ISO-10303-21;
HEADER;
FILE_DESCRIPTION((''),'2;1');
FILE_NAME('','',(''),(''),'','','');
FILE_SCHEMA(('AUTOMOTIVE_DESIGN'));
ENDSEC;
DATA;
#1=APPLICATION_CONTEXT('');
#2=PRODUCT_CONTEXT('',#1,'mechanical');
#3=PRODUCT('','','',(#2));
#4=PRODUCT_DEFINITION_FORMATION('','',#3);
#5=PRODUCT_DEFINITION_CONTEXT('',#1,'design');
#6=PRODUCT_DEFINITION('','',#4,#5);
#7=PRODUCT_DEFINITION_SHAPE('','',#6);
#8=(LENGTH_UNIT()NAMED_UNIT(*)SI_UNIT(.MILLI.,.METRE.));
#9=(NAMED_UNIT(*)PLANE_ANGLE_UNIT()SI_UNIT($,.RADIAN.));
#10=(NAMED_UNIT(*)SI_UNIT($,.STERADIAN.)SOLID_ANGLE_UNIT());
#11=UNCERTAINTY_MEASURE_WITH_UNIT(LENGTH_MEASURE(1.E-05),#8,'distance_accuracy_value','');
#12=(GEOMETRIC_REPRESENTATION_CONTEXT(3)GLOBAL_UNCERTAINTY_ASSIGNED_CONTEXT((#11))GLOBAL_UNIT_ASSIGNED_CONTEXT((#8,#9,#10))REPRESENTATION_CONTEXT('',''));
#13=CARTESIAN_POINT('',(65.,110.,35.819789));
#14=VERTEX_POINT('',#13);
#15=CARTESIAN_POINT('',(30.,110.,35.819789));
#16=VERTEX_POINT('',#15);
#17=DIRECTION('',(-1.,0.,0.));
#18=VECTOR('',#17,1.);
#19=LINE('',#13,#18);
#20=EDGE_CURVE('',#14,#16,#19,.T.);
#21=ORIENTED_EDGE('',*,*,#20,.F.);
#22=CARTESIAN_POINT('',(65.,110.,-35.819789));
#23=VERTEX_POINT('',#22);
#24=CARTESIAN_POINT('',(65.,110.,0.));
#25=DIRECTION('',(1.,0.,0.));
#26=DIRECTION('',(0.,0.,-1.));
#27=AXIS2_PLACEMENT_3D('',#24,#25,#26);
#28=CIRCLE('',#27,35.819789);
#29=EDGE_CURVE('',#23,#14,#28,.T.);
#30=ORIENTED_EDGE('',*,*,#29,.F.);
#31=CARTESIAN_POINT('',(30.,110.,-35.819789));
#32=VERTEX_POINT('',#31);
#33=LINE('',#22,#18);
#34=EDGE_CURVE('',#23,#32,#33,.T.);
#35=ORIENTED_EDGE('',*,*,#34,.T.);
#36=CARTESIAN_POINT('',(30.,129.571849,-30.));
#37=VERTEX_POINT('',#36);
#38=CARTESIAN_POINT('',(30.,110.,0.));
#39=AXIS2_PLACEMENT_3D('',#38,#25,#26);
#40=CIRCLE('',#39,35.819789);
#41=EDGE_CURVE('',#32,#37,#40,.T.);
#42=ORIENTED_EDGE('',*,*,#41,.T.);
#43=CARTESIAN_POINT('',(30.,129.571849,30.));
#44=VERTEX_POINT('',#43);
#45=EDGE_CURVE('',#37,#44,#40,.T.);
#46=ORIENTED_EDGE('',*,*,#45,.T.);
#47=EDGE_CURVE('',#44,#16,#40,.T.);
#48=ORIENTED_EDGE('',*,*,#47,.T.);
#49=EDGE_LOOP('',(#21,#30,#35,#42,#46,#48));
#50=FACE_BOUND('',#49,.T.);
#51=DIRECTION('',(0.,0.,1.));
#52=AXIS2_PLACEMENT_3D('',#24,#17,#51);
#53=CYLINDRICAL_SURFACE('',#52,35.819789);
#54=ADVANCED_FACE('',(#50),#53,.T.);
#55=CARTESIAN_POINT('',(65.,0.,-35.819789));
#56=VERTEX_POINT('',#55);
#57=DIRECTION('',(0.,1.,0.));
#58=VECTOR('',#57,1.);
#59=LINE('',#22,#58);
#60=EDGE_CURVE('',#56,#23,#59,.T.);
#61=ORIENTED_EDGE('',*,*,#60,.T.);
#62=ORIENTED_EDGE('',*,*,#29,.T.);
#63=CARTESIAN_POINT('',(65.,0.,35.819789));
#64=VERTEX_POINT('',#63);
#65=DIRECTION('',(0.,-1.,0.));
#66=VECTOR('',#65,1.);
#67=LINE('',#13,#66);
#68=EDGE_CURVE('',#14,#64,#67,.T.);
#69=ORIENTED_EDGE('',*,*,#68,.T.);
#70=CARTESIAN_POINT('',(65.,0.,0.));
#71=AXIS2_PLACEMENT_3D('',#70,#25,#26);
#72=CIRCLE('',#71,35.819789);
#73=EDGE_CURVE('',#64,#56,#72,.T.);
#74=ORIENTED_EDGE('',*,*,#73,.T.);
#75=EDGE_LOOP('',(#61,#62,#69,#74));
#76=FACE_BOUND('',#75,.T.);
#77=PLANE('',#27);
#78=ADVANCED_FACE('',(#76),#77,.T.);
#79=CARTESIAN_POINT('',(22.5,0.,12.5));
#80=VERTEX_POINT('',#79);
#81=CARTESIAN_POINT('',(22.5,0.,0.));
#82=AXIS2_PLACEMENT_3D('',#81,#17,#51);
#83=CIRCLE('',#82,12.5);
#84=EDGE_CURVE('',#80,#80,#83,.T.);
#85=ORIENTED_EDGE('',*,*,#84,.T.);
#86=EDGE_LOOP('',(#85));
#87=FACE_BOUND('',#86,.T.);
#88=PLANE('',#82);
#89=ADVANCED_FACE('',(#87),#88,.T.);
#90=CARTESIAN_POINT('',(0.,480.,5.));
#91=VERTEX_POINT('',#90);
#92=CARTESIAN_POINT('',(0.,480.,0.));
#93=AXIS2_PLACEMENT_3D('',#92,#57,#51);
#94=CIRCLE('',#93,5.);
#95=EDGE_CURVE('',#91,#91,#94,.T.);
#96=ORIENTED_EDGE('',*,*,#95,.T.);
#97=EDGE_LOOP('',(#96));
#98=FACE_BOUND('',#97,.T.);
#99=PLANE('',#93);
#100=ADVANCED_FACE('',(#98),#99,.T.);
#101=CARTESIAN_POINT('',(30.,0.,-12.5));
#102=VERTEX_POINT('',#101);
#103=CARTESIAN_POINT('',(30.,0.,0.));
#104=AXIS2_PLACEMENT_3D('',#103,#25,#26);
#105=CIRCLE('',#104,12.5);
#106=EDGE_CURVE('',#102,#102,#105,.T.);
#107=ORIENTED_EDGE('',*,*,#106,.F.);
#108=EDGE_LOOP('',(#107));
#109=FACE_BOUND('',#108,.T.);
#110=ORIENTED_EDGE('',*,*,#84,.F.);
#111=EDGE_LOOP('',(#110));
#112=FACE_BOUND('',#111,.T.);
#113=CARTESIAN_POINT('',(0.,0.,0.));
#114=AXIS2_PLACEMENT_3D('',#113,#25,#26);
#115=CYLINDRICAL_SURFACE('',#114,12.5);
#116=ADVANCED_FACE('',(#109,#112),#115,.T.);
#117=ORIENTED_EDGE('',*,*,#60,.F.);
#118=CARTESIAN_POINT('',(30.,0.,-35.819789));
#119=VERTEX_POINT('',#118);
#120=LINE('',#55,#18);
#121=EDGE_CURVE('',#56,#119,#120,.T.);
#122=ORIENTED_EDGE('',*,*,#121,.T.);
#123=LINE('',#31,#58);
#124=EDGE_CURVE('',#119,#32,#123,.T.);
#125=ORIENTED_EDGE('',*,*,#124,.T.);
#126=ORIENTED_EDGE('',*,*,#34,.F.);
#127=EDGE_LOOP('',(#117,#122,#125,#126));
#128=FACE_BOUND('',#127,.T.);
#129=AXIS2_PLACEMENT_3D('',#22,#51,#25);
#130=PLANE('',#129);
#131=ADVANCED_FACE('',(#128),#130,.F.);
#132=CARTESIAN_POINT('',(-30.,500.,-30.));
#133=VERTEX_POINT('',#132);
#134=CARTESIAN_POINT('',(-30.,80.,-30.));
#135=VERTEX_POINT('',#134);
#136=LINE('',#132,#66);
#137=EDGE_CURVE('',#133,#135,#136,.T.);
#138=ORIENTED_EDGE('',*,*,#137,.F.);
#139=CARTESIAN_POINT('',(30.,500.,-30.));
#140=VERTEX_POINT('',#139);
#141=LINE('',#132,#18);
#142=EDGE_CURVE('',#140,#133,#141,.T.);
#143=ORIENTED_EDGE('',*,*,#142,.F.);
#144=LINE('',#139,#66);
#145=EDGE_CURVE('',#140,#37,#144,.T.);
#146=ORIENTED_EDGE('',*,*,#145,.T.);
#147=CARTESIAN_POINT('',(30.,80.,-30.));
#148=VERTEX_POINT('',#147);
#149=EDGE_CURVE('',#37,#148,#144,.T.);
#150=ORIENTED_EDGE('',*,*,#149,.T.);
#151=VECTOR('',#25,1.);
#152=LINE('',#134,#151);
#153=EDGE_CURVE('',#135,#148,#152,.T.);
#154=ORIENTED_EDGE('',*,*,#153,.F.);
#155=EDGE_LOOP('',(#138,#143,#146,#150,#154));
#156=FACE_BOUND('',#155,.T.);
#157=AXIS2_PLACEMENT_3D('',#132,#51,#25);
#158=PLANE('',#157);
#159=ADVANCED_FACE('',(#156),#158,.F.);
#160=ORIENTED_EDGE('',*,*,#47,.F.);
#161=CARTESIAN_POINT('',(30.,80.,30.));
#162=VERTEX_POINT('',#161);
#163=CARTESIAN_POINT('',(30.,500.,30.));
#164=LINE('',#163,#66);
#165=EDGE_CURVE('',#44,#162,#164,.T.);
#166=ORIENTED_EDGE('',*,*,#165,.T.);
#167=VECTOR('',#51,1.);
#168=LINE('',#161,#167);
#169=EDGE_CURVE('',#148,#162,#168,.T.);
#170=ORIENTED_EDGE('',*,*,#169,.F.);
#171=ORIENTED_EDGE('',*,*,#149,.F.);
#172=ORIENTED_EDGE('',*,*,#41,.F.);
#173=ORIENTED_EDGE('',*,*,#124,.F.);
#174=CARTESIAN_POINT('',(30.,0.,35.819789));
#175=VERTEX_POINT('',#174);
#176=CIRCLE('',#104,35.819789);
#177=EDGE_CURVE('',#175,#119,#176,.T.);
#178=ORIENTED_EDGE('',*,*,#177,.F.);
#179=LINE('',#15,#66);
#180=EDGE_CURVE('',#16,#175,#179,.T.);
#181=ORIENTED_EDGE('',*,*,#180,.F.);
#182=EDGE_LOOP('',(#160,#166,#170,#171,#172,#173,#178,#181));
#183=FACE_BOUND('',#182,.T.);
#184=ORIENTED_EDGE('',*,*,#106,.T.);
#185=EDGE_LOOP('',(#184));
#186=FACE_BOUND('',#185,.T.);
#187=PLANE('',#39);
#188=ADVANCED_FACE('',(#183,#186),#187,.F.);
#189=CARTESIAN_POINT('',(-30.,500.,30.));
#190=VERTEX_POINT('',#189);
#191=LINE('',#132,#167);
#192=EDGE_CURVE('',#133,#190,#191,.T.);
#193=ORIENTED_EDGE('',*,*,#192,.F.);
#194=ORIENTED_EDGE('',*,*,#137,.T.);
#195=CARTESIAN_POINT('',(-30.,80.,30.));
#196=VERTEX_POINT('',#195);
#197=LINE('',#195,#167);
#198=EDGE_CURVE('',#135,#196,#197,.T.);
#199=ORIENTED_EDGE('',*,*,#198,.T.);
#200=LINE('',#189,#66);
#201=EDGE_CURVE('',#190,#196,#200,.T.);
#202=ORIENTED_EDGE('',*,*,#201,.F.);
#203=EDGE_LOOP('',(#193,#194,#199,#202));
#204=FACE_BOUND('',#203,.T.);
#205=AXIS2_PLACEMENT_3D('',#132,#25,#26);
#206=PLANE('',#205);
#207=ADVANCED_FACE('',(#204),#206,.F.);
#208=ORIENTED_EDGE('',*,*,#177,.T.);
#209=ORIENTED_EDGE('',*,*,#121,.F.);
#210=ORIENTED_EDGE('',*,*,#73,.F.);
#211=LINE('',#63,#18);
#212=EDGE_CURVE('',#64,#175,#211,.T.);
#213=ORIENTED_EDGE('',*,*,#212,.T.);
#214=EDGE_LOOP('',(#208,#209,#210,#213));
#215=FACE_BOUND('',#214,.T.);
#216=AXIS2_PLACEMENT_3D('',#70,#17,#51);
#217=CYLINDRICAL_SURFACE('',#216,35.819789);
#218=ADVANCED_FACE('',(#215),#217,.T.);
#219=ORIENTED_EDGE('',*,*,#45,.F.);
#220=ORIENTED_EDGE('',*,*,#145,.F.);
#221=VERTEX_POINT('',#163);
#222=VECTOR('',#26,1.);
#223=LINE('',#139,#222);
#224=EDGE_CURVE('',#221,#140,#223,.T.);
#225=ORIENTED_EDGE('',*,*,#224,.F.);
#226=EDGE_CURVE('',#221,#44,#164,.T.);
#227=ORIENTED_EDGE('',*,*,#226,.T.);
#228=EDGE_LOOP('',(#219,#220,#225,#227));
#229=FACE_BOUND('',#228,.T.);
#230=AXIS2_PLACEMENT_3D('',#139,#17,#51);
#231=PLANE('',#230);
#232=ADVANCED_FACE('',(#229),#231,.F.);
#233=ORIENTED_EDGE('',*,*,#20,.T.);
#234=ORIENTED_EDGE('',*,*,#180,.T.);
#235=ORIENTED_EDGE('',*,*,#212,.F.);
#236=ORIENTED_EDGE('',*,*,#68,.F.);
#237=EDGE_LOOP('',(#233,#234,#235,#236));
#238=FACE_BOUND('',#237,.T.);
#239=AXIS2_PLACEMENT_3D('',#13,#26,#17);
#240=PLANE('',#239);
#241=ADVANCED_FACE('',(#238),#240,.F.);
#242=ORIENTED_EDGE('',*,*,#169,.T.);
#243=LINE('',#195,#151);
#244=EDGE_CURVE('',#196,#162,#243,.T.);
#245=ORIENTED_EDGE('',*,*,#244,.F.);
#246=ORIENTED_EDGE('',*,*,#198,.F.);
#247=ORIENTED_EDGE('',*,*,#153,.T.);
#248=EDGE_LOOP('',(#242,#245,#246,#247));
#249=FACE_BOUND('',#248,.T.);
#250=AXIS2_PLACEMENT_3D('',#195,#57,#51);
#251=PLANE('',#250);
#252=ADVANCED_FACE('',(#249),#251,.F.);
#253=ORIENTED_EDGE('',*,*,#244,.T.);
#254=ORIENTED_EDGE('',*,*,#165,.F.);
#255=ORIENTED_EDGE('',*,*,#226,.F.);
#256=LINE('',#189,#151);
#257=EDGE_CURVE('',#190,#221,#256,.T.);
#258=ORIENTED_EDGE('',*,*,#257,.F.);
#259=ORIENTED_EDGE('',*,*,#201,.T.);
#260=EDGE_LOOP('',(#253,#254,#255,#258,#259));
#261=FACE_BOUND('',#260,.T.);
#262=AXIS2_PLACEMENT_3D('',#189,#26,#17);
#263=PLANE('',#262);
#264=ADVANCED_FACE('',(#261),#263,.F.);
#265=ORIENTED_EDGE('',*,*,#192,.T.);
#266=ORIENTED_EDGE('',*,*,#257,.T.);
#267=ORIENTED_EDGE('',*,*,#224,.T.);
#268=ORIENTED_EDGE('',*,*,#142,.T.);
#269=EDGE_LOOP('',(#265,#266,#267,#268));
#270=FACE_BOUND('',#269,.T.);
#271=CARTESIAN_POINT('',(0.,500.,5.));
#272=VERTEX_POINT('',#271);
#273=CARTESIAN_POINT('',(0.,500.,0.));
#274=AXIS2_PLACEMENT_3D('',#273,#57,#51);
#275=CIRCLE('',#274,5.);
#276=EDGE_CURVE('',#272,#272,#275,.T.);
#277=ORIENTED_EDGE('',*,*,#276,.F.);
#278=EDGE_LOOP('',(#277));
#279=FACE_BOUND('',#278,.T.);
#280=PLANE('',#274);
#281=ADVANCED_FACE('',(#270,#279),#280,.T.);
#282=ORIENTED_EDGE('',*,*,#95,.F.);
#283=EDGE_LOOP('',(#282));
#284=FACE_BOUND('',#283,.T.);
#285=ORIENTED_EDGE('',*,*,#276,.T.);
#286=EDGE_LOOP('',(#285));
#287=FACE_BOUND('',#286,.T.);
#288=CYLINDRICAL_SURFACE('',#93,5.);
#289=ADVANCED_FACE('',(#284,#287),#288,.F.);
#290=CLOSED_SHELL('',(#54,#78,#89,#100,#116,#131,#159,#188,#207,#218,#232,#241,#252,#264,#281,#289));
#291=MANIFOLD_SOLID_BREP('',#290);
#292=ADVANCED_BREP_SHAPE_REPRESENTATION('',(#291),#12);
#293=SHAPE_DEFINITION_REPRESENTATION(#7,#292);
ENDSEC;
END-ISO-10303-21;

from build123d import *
from build123d.topology import SkipClean

# Parameters (mm, degrees)
SKETCH1_W                = 60
SKETCH1_H                = 60
BOSS_EXTRUDE1_DEPTH      = 500
BOSS_EXTRUDE6_DEPTH      = 2.5
BOSS_EXTRUDE6_DEPTH_BACK = 30
SKETCH2_R                = 12.5
CUT_EXTRUDE1_DEPTH       = 505.479930225
BOSS_EXTRUDE7_DEPTH      = 35
SKETCH7_W                = 30
SKETCH7_H                = 25
CUT_EXTRUDE2_DEPTH       = 15
SKETCH8_R                = 12.5
CUT_EXTRUDE3_DEPTH       = 22.5
SKETCH10_R               = 5
CUT_EXTRUDE4_DEPTH       = 20


with BuildPart() as part:
    # Sketch1 → Boss-Extrude1 (new body)
    with BuildSketch(Plane(origin=(0, 0, 0), x_dir=(1, 0, 0), z_dir=(0, 1, 0))):
        Rectangle(SKETCH1_W, SKETCH1_H)
    extrude(amount=BOSS_EXTRUDE1_DEPTH)

    # Sketch2 → Boss-Extrude6 (add, two sides: drawn at the far end of the back side and taken through both)
    with BuildSketch(Plane(origin=(30, 0, 0), x_dir=(0, 0, -1), z_dir=(1, 0, 0)).offset(-BOSS_EXTRUDE6_DEPTH_BACK)):
        Circle(SKETCH2_R)
    extrude(amount=BOSS_EXTRUDE6_DEPTH + BOSS_EXTRUDE6_DEPTH_BACK)

    # Sketch5 → Cut-Extrude1 (cut, through all)
    with SkipClean():  # the faces are left unmerged after this step: merging them gives an invalid solid
        with BuildSketch(Plane(origin=(30, 0, 0), x_dir=(0, 0, -1), z_dir=(1, 0, 0))):
            with BuildLine():
                Line((-30, 0), (-30, 80))
                Line((-30, 80), (30, 80))
                Line((30, 80), (30, 0))
                Line((30, 0), (12.5, 0))
                ThreePointArc((12.5, 0), (0, 12.5), (-12.5, 0))
                Line((-12.5, 0), (-30, 0))
            make_face()
        extrude(amount=-CUT_EXTRUDE1_DEPTH, mode=Mode.SUBTRACT)


with BuildPart() as cut_extrude1_piece_1:
    # of the separate pieces the step leaves, piece 1, a body of its own (cut_extrude1_pieces)
    add(part.part.solids().sort_by_distance((30, 80, -30))[0])



with BuildPart() as cut_extrude1_piece_2:
    # of the separate pieces the step leaves, piece 2, a body of its own (cut_extrude1_pieces)
    add(part.part.solids().sort_by_distance((0, 0, 12.5))[0])


with BuildPart() as cut_extrude1_piece_1_1:
    add(cut_extrude1_piece_1.part)

    add(cut_extrude1_piece_2.part)  # Boss-Extrude7 merges Cut-Extrude1 piece 2
    # Sketch6 → Boss-Extrude7 (add)
    with BuildSketch(Plane(origin=(30, 0, 0), x_dir=(0, 0, -1), z_dir=(1, 0, 0))):
        with BuildLine():
            Line((35.819788787, 110), (35.819788787, 0))
            ThreePointArc((35.819788787, 0), (0, -35.819788787), (-35.819788787, 0))
            Line((-35.819788787, 0), (-35.819788787, 110))
            ThreePointArc((-35.819788787, 110), (0, 145.819788787), (35.819788787, 110))
        make_face()
    extrude(amount=BOSS_EXTRUDE7_DEPTH)

    # Sketch7 → Cut-Extrude2 (cut)
    with BuildSketch(Plane.XZ):
        with Locations((-15, 0)):
            Rectangle(SKETCH7_W, SKETCH7_H)
    extrude(amount=-CUT_EXTRUDE2_DEPTH, mode=Mode.SUBTRACT)

    # Sketch8 → Cut-Extrude3 (cut)
    with BuildSketch(Plane.ZY):
        with Locations(Location((0, 0, 0), (0, 0, 180))):
            Circle(SKETCH8_R)
    extrude(amount=-CUT_EXTRUDE3_DEPTH, mode=Mode.SUBTRACT)

    # Sketch10 → Cut-Extrude4 (cut)
    with BuildSketch(Plane(origin=(0, 500, 0), x_dir=(1, 0, 0), z_dir=(0, 1, 0))):
        with Locations(Location((0, 0, 0), (0, 0, 270))):
            Circle(SKETCH10_R)
    extrude(amount=-CUT_EXTRUDE4_DEPTH, mode=Mode.SUBTRACT)


solid = cut_extrude1_piece_1_1.part
